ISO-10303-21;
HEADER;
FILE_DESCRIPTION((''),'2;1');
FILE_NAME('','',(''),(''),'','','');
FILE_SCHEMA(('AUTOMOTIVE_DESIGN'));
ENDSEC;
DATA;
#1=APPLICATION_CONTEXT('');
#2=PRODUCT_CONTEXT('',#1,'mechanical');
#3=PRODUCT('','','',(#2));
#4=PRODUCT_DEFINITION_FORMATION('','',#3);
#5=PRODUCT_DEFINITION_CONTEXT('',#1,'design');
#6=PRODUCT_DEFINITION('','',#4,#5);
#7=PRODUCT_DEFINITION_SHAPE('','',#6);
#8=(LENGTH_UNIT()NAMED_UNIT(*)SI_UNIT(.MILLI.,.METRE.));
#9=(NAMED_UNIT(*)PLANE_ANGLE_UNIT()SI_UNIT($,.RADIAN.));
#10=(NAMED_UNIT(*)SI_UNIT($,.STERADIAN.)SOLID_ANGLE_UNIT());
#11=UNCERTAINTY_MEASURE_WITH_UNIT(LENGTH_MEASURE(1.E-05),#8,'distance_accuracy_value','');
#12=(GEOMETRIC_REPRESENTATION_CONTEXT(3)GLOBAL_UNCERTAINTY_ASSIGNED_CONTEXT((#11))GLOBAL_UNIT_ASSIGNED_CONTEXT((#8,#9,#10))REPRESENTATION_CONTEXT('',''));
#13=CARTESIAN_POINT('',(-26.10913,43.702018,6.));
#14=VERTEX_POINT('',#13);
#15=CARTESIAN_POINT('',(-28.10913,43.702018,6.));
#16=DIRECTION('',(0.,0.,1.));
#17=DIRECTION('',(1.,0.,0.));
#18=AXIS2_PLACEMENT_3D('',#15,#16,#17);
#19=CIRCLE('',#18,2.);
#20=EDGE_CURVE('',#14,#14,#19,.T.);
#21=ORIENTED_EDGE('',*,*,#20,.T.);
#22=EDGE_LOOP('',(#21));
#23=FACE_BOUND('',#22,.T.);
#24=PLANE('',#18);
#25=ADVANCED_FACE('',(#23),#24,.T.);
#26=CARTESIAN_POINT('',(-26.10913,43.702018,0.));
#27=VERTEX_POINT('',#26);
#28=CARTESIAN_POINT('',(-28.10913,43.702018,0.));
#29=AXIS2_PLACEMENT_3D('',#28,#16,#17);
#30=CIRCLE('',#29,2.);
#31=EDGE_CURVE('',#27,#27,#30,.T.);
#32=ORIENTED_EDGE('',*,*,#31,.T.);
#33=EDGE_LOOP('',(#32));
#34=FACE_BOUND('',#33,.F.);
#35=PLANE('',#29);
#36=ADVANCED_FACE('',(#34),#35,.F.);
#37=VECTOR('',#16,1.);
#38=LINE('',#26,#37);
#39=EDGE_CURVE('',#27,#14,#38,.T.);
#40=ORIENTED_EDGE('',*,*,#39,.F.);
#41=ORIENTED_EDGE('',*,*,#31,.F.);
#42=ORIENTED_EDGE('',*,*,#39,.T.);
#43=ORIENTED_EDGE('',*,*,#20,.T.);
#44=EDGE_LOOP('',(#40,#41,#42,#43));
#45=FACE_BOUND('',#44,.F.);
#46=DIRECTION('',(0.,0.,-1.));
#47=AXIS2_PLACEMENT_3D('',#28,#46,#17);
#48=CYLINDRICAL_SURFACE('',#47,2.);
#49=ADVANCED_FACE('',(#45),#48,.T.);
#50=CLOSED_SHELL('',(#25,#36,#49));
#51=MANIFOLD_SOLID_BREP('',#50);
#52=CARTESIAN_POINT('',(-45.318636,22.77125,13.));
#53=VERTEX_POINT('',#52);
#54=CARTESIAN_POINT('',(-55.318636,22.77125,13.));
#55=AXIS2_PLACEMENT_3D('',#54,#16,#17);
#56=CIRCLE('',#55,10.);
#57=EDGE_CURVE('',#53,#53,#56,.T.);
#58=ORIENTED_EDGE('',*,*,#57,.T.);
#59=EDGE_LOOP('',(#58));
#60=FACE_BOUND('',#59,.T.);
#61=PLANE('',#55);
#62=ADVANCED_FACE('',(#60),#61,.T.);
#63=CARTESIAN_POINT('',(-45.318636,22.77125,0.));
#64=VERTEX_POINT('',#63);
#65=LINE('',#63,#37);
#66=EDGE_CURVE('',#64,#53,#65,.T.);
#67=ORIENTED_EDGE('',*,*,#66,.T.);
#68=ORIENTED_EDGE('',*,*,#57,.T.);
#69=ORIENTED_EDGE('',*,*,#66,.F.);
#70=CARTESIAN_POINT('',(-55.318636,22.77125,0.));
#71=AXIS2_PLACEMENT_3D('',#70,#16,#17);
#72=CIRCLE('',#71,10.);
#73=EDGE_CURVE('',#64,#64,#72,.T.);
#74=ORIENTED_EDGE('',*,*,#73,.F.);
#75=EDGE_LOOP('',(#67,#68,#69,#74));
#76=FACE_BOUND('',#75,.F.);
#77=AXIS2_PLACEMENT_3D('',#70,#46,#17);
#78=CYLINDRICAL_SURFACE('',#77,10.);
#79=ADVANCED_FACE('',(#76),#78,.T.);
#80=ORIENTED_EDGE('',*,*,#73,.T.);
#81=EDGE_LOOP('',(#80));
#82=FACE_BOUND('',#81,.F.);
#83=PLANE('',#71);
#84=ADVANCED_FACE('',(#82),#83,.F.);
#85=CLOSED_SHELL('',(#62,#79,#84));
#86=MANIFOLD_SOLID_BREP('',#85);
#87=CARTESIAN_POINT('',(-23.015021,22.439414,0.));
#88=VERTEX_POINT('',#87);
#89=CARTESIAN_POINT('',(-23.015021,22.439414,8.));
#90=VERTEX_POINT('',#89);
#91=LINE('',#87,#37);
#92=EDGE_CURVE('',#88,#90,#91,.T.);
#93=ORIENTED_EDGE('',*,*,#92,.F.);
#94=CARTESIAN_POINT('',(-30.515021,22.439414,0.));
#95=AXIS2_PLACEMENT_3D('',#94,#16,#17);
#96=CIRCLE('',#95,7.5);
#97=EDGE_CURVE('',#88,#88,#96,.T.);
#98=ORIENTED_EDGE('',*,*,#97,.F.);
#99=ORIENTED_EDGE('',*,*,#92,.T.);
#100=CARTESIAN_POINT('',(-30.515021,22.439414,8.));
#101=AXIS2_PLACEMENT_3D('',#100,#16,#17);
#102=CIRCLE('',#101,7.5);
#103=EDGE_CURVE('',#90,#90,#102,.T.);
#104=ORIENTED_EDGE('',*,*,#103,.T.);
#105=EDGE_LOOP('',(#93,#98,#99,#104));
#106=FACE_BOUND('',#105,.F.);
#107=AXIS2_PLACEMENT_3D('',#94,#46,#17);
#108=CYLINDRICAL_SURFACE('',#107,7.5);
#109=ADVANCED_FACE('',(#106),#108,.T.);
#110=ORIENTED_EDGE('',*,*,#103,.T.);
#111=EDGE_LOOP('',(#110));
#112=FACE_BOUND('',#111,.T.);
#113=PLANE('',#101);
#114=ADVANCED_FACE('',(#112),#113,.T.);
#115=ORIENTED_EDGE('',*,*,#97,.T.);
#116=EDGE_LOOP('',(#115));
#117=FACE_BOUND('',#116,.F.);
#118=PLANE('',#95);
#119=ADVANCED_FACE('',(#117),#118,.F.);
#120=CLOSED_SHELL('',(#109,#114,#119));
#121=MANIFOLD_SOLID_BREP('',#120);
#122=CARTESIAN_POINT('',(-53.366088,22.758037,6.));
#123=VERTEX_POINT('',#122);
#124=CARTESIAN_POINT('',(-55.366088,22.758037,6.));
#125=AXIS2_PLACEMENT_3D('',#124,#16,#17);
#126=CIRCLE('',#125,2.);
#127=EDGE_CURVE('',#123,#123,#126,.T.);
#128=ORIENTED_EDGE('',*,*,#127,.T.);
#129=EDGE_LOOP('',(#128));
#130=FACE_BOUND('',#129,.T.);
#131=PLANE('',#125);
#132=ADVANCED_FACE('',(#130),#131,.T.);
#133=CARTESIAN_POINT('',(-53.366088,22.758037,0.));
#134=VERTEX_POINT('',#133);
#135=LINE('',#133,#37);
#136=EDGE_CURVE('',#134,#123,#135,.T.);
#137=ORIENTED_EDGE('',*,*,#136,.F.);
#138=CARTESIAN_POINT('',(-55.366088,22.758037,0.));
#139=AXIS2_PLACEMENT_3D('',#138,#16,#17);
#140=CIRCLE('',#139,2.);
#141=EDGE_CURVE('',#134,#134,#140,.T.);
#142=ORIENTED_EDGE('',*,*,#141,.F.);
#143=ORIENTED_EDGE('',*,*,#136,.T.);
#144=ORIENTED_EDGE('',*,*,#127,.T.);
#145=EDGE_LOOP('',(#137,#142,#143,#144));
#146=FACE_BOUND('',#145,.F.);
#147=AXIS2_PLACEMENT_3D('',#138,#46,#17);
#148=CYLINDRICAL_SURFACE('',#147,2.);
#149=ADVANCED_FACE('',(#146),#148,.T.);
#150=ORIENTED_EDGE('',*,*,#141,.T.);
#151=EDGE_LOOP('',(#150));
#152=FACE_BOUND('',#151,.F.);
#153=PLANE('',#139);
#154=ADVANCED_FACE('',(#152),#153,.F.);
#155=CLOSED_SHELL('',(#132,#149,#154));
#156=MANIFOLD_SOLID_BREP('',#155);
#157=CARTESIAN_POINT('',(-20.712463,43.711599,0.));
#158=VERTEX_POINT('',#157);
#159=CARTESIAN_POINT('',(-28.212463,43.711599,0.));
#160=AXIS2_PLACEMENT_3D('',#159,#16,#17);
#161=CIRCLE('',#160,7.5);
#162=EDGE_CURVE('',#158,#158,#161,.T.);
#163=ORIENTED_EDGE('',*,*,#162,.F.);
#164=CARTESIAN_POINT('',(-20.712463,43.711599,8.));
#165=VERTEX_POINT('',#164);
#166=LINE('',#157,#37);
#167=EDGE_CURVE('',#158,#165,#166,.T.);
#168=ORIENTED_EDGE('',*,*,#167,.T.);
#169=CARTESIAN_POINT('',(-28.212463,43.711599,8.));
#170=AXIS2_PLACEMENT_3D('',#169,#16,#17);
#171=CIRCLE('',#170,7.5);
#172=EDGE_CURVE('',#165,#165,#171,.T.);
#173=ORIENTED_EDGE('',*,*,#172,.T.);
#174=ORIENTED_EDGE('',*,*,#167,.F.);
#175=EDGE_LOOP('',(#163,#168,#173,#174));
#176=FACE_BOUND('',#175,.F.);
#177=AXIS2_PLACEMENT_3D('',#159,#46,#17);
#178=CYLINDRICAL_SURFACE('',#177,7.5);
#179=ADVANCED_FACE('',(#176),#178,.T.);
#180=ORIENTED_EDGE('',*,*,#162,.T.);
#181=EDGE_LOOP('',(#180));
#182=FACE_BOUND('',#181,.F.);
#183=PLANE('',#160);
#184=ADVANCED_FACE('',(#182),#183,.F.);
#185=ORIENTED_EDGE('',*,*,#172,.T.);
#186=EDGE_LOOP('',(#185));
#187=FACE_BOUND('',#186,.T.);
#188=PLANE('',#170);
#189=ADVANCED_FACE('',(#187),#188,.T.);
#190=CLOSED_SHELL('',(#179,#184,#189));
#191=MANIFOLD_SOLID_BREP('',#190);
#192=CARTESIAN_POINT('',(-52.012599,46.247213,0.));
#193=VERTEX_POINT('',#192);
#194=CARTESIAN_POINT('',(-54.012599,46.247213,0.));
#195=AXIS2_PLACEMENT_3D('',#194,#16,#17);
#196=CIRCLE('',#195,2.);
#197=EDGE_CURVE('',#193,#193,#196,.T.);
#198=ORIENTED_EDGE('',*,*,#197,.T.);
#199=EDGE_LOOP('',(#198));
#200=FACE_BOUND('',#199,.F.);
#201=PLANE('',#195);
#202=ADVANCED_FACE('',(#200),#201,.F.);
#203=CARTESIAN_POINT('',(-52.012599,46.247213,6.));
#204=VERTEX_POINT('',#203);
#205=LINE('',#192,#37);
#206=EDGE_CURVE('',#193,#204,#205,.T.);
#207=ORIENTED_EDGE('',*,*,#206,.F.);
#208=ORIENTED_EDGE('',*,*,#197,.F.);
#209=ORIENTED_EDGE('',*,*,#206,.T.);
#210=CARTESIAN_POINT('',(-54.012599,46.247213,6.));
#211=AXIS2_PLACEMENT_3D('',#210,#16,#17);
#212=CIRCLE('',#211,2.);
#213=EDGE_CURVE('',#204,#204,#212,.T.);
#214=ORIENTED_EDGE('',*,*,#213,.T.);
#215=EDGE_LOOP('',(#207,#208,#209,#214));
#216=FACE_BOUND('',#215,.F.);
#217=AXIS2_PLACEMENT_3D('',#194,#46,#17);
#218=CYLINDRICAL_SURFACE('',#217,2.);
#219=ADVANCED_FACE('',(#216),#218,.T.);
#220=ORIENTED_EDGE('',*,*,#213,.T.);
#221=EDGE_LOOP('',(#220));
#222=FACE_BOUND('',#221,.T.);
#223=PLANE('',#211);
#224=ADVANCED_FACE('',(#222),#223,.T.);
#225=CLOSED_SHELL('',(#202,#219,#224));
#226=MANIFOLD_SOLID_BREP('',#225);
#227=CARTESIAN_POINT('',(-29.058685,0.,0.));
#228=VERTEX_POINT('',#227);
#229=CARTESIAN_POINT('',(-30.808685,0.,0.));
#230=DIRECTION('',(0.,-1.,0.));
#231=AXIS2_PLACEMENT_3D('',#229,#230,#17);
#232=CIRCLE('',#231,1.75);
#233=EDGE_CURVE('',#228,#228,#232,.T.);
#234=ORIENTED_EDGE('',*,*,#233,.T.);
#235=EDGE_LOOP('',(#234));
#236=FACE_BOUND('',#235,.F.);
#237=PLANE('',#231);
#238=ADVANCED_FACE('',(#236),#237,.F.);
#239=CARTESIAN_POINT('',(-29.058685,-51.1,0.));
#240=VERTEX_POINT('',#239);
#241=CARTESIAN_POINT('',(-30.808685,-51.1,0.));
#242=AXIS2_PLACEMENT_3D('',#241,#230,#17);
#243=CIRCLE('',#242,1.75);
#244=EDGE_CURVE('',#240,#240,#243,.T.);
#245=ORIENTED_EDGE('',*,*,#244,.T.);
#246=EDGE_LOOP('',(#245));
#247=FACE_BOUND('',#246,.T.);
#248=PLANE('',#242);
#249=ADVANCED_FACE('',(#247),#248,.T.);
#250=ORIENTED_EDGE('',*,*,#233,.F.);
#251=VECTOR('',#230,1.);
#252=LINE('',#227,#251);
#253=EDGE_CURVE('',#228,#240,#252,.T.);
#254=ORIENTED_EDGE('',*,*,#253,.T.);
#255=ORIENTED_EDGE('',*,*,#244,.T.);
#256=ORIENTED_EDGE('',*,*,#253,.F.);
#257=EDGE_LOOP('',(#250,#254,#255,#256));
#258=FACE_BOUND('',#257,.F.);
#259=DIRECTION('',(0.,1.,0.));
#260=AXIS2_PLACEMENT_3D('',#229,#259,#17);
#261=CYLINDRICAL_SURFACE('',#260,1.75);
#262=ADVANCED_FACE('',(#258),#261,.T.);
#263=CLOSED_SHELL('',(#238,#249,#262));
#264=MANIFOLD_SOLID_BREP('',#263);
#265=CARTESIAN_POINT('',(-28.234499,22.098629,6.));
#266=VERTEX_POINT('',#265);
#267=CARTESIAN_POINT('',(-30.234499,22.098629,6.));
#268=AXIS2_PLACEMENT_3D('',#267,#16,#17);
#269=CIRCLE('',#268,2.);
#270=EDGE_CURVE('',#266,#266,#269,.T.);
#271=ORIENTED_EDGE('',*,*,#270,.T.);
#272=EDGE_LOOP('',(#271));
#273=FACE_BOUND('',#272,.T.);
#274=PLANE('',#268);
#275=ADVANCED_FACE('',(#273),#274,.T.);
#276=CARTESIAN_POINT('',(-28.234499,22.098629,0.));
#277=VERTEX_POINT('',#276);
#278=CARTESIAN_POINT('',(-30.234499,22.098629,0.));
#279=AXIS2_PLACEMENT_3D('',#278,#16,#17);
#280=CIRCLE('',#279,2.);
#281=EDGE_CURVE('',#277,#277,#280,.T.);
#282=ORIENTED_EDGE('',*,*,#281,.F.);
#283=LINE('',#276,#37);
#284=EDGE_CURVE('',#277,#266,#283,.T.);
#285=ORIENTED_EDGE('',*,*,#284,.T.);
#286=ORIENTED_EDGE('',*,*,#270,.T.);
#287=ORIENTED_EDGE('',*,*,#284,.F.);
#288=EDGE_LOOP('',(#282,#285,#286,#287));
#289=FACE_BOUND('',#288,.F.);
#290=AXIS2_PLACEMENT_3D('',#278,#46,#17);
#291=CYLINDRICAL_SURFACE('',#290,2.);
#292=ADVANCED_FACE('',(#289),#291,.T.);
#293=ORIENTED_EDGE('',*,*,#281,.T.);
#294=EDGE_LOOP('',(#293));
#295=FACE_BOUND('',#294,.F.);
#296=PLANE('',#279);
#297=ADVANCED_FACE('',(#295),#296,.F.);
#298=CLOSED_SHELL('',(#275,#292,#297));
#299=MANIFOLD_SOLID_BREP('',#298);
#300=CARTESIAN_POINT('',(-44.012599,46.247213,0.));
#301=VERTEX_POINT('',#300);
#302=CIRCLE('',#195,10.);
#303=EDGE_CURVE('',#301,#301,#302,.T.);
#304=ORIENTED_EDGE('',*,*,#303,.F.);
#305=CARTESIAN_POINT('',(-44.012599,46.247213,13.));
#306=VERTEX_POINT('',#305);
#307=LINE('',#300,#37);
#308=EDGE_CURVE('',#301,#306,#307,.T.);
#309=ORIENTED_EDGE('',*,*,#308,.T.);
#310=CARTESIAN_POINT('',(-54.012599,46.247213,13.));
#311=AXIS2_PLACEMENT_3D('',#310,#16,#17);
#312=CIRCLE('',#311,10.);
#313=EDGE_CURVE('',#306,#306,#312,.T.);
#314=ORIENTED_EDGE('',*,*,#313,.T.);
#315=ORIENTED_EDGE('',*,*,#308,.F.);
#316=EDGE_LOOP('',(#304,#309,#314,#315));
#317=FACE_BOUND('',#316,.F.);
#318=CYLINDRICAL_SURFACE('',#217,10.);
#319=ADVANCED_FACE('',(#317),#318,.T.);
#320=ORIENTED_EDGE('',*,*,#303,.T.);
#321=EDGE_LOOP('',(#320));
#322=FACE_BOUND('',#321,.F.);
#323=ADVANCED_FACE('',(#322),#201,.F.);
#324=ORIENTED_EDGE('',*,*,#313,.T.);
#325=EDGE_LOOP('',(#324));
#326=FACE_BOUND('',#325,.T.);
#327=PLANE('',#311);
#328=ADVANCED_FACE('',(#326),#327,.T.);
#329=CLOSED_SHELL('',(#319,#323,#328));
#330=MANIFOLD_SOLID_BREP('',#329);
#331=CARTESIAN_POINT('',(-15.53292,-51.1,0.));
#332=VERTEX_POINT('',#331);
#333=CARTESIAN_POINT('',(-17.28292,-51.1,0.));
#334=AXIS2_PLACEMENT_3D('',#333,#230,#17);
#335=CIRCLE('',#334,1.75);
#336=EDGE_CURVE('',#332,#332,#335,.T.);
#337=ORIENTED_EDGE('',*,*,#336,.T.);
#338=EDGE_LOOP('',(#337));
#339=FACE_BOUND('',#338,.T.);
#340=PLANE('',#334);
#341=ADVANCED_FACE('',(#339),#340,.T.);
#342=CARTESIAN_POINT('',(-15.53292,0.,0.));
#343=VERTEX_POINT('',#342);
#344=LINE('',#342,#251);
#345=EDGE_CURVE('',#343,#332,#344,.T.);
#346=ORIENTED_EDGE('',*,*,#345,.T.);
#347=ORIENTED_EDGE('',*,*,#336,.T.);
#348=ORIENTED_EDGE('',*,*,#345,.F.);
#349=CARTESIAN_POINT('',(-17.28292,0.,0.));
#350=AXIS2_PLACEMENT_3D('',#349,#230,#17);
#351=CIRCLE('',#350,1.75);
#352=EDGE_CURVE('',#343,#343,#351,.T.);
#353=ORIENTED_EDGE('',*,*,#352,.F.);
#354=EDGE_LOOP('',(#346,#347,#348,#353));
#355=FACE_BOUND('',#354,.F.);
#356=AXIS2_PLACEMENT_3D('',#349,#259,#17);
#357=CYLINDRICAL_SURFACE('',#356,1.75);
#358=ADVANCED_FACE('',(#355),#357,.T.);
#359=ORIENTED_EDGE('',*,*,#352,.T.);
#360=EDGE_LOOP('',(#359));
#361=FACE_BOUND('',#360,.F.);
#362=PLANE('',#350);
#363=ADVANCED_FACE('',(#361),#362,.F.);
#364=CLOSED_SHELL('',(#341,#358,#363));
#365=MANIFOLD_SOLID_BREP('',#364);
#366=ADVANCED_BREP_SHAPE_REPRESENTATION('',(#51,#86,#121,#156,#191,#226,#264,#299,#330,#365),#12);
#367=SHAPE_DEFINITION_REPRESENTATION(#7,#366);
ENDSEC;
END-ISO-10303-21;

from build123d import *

# Parameters (mm, degrees)
F0_R     = 1.75
F1_DEPTH = 51.1
F2_R     = 7.5
F3_DEPTH = 8
F4_R     = 10
F5_DEPTH = 13
F7_R     = 1.75
F8_DEPTH = 51.1
F6_R     = 2
F9_DEPTH = 6


with BuildPart() as f1:
    # F0 (on Front) → F1 (new body)
    with BuildSketch(Plane.XZ):
        with Locations((-17.28292, 0)):
            Circle(F0_R)
    extrude(amount=F1_DEPTH)


with BuildPart() as f3:
    # F2 (on Top) → F3 (new body)
    with BuildSketch(Plane.XY):
        with Locations((-30.515021, 22.439414)):
            Circle(F2_R)
        with Locations((-28.212463, 43.711599)):
            Circle(F2_R)
    extrude(amount=F3_DEPTH)


with BuildPart() as f5:
    # F4 (on Top) → F5 (new body)
    with BuildSketch(Plane.XY):
        with Locations((-54.012599, 46.247213)):
            Circle(F4_R)
        with Locations((-55.318636, 22.77125)):
            Circle(F4_R)
    extrude(amount=F5_DEPTH)


with BuildPart() as f8:
    # F7 (on Front) → F8 (new body)
    with BuildSketch(Plane.XZ):
        with Locations((-30.808685, 0)):
            Circle(F7_R)
    extrude(amount=F8_DEPTH)


with BuildPart() as f9:
    # F6 (on Top) → F9 (new body)
    with BuildSketch(Plane.XY):
        with Locations((-54.012599, 46.247213)):
            Circle(F6_R)
        with Locations((-28.10913, 43.702018)):
            Circle(F6_R)
        with Locations((-30.234499, 22.098629)):
            Circle(F6_R)
        with Locations((-55.366088, 22.758037)):
            Circle(F6_R)
    extrude(amount=F9_DEPTH)


solid = Compound([f1.part, f3.part, f5.part, f8.part, f9.part])
